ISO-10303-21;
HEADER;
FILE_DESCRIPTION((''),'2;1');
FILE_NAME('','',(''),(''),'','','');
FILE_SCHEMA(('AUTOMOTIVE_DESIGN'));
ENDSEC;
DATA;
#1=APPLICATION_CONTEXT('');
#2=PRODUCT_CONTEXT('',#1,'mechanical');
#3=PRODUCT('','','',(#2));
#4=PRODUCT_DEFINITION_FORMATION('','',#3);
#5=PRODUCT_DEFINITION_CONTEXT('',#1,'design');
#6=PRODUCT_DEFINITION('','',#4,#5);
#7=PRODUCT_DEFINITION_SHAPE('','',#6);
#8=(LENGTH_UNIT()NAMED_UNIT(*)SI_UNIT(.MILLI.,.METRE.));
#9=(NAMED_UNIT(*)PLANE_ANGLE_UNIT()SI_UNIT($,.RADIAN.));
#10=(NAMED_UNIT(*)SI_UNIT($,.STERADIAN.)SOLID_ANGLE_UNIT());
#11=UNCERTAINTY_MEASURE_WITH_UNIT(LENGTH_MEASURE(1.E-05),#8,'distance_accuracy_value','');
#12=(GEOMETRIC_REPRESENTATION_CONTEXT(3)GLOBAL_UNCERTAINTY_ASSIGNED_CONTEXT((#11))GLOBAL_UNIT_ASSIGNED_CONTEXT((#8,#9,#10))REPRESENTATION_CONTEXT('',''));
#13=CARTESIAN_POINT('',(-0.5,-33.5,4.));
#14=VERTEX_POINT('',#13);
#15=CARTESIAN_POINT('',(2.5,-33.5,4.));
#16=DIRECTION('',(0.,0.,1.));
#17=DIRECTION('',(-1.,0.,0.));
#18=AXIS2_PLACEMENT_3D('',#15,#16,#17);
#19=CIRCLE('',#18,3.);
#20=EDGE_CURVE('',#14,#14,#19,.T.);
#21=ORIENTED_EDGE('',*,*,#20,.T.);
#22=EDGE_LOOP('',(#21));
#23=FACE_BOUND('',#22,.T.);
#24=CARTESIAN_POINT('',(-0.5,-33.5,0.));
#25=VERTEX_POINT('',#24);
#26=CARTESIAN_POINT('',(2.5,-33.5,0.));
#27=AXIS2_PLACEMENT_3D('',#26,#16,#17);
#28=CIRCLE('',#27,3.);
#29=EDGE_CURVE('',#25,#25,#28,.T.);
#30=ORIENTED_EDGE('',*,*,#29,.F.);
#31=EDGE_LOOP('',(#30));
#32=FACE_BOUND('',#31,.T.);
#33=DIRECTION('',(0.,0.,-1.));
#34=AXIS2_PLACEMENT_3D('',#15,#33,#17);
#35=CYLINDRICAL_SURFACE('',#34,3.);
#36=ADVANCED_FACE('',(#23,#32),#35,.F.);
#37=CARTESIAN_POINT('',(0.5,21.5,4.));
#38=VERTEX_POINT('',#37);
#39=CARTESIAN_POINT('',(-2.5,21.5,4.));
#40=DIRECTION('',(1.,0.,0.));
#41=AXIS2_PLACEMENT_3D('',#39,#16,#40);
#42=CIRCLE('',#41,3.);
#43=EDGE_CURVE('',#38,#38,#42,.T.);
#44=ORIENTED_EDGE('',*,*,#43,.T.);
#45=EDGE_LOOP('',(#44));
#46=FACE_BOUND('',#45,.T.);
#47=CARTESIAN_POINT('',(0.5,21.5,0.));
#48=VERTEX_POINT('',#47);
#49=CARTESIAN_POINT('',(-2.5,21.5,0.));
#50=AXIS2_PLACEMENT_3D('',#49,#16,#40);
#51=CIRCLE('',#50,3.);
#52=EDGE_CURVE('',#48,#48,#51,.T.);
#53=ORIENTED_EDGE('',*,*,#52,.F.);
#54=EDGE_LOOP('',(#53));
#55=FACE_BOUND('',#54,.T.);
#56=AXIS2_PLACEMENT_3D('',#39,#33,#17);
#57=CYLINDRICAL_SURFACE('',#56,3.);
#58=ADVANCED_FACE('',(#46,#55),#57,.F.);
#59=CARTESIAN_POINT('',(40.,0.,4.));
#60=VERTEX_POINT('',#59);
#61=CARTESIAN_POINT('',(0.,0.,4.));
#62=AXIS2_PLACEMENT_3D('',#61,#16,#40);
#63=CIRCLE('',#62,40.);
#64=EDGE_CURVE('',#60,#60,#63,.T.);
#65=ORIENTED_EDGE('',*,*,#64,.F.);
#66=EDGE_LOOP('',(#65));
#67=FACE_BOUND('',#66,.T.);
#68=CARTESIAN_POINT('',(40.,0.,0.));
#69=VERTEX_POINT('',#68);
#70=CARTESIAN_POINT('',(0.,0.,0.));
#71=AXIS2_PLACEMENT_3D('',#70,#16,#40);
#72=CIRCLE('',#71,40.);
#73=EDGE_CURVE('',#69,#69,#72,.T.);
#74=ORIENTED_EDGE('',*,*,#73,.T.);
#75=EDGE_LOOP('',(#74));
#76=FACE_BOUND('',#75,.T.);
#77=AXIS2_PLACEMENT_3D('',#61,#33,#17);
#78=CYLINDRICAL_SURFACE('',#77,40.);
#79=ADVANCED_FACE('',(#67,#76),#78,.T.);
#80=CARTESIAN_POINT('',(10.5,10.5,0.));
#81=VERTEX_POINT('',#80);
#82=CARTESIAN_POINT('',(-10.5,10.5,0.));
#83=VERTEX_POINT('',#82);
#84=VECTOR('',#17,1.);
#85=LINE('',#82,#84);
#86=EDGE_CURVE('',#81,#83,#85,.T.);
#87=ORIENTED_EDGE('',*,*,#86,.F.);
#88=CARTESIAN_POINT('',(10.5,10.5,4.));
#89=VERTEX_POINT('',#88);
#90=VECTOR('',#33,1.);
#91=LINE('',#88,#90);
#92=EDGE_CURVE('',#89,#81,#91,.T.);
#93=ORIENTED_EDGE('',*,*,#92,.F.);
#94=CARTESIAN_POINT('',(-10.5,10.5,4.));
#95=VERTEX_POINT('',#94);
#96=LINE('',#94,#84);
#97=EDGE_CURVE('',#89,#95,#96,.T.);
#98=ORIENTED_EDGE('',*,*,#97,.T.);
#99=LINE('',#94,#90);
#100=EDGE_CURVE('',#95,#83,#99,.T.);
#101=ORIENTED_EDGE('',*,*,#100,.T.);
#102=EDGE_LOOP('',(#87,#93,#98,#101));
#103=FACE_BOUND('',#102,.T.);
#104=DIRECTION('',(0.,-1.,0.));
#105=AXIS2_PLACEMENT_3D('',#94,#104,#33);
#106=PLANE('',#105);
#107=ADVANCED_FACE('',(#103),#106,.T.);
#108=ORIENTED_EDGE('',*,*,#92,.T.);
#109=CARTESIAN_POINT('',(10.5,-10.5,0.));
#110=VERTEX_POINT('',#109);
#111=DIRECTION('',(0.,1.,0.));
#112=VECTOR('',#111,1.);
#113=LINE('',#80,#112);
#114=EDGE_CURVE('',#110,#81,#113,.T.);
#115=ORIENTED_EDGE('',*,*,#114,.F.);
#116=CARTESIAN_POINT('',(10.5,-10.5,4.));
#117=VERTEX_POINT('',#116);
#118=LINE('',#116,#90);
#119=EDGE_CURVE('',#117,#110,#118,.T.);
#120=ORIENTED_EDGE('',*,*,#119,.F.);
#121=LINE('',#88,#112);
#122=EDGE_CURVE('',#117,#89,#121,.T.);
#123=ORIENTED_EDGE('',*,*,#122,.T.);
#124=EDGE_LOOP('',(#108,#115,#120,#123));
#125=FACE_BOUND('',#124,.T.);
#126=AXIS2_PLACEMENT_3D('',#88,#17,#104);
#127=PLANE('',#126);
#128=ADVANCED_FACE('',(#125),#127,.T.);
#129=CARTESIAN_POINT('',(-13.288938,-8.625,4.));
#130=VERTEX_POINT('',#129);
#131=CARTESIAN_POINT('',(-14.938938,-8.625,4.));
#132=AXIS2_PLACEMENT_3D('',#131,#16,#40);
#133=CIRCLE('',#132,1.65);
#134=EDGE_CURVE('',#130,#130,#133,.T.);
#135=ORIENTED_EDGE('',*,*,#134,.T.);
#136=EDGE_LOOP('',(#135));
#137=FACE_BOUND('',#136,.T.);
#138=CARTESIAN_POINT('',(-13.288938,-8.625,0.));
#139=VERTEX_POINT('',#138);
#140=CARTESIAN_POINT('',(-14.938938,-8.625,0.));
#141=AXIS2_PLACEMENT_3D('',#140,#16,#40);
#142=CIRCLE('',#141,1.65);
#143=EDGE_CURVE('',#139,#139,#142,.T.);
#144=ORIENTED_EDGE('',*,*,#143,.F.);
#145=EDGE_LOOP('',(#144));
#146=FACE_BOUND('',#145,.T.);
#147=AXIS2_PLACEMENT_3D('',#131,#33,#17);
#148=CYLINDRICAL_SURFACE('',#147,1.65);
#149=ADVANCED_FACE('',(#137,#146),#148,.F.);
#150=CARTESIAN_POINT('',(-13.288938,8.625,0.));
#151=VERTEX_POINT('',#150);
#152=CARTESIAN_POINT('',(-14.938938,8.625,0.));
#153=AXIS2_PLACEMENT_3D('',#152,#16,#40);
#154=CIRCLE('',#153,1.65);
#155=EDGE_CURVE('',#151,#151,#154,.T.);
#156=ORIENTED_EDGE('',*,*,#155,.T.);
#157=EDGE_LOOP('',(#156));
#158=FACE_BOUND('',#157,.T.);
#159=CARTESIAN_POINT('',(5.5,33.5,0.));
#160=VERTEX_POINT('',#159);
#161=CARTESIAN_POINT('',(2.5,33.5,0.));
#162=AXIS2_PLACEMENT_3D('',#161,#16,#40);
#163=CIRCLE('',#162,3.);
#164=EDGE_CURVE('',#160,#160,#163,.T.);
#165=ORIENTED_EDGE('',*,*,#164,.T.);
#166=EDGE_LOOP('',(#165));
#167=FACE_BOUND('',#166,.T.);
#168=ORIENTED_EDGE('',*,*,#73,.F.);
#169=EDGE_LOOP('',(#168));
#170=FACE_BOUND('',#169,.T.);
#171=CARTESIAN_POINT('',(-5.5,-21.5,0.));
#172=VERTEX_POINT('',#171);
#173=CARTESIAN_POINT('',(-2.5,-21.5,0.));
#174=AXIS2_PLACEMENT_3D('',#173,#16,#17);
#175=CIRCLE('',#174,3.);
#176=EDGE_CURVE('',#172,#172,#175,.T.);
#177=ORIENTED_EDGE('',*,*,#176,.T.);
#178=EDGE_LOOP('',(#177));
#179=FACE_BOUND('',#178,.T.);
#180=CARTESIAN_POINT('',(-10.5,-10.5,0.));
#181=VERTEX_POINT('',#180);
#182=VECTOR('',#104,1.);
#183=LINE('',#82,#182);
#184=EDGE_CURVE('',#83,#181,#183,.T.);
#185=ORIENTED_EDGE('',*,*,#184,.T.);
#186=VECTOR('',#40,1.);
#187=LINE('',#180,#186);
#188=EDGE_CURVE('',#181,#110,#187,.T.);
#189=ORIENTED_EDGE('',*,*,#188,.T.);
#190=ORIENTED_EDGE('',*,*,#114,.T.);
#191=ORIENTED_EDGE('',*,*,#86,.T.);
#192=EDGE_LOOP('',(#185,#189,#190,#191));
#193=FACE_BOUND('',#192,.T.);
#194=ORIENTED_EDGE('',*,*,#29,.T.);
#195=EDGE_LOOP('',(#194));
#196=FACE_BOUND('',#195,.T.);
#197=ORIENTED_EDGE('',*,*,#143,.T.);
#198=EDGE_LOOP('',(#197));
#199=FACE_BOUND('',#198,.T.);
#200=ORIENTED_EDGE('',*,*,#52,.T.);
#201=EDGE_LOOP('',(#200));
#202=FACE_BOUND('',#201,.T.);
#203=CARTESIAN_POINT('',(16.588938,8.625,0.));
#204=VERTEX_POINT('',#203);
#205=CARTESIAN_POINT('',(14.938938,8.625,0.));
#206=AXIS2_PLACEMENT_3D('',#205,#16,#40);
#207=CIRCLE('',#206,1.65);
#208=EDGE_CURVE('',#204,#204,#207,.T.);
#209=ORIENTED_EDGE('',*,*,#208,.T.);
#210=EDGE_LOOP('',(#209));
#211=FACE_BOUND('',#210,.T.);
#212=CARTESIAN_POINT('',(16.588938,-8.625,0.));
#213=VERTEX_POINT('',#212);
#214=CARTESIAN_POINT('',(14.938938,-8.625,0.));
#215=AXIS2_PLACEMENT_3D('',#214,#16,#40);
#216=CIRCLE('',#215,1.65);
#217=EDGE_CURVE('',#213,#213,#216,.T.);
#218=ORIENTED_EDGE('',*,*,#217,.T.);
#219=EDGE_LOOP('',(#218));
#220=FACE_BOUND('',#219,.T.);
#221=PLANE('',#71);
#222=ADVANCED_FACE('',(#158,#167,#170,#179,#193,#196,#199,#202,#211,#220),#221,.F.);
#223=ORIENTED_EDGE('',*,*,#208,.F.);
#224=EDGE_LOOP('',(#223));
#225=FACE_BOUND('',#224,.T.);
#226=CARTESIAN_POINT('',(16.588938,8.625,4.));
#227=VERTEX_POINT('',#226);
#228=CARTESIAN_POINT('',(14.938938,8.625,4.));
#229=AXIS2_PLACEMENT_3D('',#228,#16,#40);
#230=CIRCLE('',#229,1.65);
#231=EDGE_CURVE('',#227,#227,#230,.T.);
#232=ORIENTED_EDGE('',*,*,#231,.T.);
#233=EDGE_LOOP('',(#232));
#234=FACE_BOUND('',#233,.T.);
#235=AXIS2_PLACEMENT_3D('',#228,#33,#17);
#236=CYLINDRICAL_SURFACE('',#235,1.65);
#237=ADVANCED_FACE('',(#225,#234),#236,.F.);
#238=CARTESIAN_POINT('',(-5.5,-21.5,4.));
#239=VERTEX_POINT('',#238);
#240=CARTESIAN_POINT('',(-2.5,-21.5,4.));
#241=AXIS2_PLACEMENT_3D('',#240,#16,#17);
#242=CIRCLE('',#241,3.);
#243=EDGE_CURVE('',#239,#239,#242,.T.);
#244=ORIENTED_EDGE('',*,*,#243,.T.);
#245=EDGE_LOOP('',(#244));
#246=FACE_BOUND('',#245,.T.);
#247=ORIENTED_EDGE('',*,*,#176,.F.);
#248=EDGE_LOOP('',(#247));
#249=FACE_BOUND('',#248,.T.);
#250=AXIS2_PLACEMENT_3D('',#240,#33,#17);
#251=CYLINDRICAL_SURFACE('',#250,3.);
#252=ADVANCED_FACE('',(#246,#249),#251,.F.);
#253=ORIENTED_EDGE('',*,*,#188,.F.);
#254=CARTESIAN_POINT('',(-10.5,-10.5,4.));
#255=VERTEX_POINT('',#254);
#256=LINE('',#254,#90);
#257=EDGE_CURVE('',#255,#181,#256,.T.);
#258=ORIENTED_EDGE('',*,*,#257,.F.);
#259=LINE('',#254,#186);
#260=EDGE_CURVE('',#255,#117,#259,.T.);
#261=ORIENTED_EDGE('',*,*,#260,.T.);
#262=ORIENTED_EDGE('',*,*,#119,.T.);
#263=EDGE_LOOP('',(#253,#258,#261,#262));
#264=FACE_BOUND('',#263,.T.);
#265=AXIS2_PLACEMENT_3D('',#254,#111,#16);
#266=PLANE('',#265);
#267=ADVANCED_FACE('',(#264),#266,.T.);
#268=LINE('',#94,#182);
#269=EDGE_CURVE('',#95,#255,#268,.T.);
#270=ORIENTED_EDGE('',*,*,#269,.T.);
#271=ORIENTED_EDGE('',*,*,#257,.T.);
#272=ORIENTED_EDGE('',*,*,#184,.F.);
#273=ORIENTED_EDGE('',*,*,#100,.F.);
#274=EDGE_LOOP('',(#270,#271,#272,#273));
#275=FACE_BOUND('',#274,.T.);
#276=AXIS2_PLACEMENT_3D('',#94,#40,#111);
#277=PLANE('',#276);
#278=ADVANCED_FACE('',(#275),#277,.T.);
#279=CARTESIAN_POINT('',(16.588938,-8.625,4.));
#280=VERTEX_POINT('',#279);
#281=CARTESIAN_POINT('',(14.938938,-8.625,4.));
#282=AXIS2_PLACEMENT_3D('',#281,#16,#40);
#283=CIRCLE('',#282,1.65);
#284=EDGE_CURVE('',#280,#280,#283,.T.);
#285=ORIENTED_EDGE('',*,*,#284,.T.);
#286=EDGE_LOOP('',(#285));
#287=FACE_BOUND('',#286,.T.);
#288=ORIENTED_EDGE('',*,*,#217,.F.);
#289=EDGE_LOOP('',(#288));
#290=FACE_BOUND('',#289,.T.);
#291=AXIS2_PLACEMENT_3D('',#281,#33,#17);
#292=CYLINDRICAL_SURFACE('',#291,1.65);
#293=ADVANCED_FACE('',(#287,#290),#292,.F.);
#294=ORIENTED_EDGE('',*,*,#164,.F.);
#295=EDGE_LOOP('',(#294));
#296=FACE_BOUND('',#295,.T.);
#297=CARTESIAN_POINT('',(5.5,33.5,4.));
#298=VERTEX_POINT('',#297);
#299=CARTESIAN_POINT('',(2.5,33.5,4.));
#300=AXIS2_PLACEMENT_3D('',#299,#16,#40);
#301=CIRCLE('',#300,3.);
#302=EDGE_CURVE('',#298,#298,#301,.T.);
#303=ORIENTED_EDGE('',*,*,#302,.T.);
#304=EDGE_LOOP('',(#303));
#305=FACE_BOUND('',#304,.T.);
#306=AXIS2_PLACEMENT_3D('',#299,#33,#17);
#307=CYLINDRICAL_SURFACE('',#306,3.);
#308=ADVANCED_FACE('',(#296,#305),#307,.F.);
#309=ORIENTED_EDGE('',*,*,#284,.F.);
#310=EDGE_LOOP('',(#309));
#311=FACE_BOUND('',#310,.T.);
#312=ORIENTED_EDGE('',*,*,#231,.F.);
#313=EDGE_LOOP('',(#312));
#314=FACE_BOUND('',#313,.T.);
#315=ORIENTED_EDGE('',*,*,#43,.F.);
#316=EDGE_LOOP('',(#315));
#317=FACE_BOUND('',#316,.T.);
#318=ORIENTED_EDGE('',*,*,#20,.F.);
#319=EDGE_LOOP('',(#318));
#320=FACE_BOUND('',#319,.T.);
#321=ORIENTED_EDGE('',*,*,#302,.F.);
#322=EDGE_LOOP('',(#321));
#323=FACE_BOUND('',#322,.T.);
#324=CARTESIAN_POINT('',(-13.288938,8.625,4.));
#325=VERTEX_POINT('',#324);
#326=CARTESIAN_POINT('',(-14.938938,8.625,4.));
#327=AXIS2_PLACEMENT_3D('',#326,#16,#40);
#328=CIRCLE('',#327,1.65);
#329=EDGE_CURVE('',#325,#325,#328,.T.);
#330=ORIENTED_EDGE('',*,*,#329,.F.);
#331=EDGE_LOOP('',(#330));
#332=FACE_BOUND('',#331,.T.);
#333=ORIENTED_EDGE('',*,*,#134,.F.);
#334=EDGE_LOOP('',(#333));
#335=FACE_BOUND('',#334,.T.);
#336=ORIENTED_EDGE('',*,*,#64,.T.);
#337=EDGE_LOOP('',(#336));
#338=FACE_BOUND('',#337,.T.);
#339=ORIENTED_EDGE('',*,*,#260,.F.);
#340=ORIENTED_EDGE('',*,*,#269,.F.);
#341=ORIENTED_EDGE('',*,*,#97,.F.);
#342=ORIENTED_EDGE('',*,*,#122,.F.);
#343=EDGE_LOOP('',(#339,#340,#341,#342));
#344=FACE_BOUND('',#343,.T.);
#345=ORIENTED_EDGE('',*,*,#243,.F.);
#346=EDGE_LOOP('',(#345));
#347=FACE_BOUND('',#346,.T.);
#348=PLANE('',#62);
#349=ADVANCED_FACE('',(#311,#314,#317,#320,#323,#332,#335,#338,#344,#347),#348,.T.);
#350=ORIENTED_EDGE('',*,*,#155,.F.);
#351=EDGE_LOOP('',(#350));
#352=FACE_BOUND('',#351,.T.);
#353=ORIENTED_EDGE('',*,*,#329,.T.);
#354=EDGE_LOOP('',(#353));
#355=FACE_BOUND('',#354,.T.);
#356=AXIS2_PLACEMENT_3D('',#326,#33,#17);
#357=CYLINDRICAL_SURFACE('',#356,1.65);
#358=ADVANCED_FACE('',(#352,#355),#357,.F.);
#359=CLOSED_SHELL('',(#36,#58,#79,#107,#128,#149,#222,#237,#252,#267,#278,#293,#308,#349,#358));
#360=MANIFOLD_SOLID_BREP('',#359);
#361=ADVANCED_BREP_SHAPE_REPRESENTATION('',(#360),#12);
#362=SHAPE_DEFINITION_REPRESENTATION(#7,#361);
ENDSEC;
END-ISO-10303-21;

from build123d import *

# Parameters (mm, degrees)
SKETCH_1_R      = 40
SKETCH_1_R_2    = 1.65
SKETCH_1_R_3    = 3
SKETCH_1_W      = 21
SKETCH_1_H      = 21
EXTRUDE_1_DEPTH = 4


with BuildPart() as part:
    # 草图1 → 凸台-拉伸1 (new body)
    with BuildSketch(Plane.XY):
        Circle(SKETCH_1_R)
        with Locations((14.938938215, 8.625)):
            Circle(SKETCH_1_R_2, mode=Mode.SUBTRACT)
        with Locations((14.938938215, -8.625)):
            Circle(SKETCH_1_R_2, mode=Mode.SUBTRACT)
        with Locations((-14.938938215, -8.625)):
            Circle(SKETCH_1_R_2, mode=Mode.SUBTRACT)
        with Locations((-14.938938215, 8.625)):
            Circle(SKETCH_1_R_2, mode=Mode.SUBTRACT)
        with Locations((2.5, 33.5)):
            Circle(SKETCH_1_R_3, mode=Mode.SUBTRACT)
        with Locations((-2.5, 21.5)):
            Circle(SKETCH_1_R_3, mode=Mode.SUBTRACT)
        with Locations(Location((-2.5, -21.5, 0), (0, 0, 180))):
            Circle(SKETCH_1_R_3, mode=Mode.SUBTRACT)
        with Locations(Location((2.5, -33.5, 0), (0, 0, 180))):
            Circle(SKETCH_1_R_3, mode=Mode.SUBTRACT)
        Rectangle(SKETCH_1_W, SKETCH_1_H, mode=Mode.SUBTRACT)
    extrude(amount=EXTRUDE_1_DEPTH)


solid = part.part
